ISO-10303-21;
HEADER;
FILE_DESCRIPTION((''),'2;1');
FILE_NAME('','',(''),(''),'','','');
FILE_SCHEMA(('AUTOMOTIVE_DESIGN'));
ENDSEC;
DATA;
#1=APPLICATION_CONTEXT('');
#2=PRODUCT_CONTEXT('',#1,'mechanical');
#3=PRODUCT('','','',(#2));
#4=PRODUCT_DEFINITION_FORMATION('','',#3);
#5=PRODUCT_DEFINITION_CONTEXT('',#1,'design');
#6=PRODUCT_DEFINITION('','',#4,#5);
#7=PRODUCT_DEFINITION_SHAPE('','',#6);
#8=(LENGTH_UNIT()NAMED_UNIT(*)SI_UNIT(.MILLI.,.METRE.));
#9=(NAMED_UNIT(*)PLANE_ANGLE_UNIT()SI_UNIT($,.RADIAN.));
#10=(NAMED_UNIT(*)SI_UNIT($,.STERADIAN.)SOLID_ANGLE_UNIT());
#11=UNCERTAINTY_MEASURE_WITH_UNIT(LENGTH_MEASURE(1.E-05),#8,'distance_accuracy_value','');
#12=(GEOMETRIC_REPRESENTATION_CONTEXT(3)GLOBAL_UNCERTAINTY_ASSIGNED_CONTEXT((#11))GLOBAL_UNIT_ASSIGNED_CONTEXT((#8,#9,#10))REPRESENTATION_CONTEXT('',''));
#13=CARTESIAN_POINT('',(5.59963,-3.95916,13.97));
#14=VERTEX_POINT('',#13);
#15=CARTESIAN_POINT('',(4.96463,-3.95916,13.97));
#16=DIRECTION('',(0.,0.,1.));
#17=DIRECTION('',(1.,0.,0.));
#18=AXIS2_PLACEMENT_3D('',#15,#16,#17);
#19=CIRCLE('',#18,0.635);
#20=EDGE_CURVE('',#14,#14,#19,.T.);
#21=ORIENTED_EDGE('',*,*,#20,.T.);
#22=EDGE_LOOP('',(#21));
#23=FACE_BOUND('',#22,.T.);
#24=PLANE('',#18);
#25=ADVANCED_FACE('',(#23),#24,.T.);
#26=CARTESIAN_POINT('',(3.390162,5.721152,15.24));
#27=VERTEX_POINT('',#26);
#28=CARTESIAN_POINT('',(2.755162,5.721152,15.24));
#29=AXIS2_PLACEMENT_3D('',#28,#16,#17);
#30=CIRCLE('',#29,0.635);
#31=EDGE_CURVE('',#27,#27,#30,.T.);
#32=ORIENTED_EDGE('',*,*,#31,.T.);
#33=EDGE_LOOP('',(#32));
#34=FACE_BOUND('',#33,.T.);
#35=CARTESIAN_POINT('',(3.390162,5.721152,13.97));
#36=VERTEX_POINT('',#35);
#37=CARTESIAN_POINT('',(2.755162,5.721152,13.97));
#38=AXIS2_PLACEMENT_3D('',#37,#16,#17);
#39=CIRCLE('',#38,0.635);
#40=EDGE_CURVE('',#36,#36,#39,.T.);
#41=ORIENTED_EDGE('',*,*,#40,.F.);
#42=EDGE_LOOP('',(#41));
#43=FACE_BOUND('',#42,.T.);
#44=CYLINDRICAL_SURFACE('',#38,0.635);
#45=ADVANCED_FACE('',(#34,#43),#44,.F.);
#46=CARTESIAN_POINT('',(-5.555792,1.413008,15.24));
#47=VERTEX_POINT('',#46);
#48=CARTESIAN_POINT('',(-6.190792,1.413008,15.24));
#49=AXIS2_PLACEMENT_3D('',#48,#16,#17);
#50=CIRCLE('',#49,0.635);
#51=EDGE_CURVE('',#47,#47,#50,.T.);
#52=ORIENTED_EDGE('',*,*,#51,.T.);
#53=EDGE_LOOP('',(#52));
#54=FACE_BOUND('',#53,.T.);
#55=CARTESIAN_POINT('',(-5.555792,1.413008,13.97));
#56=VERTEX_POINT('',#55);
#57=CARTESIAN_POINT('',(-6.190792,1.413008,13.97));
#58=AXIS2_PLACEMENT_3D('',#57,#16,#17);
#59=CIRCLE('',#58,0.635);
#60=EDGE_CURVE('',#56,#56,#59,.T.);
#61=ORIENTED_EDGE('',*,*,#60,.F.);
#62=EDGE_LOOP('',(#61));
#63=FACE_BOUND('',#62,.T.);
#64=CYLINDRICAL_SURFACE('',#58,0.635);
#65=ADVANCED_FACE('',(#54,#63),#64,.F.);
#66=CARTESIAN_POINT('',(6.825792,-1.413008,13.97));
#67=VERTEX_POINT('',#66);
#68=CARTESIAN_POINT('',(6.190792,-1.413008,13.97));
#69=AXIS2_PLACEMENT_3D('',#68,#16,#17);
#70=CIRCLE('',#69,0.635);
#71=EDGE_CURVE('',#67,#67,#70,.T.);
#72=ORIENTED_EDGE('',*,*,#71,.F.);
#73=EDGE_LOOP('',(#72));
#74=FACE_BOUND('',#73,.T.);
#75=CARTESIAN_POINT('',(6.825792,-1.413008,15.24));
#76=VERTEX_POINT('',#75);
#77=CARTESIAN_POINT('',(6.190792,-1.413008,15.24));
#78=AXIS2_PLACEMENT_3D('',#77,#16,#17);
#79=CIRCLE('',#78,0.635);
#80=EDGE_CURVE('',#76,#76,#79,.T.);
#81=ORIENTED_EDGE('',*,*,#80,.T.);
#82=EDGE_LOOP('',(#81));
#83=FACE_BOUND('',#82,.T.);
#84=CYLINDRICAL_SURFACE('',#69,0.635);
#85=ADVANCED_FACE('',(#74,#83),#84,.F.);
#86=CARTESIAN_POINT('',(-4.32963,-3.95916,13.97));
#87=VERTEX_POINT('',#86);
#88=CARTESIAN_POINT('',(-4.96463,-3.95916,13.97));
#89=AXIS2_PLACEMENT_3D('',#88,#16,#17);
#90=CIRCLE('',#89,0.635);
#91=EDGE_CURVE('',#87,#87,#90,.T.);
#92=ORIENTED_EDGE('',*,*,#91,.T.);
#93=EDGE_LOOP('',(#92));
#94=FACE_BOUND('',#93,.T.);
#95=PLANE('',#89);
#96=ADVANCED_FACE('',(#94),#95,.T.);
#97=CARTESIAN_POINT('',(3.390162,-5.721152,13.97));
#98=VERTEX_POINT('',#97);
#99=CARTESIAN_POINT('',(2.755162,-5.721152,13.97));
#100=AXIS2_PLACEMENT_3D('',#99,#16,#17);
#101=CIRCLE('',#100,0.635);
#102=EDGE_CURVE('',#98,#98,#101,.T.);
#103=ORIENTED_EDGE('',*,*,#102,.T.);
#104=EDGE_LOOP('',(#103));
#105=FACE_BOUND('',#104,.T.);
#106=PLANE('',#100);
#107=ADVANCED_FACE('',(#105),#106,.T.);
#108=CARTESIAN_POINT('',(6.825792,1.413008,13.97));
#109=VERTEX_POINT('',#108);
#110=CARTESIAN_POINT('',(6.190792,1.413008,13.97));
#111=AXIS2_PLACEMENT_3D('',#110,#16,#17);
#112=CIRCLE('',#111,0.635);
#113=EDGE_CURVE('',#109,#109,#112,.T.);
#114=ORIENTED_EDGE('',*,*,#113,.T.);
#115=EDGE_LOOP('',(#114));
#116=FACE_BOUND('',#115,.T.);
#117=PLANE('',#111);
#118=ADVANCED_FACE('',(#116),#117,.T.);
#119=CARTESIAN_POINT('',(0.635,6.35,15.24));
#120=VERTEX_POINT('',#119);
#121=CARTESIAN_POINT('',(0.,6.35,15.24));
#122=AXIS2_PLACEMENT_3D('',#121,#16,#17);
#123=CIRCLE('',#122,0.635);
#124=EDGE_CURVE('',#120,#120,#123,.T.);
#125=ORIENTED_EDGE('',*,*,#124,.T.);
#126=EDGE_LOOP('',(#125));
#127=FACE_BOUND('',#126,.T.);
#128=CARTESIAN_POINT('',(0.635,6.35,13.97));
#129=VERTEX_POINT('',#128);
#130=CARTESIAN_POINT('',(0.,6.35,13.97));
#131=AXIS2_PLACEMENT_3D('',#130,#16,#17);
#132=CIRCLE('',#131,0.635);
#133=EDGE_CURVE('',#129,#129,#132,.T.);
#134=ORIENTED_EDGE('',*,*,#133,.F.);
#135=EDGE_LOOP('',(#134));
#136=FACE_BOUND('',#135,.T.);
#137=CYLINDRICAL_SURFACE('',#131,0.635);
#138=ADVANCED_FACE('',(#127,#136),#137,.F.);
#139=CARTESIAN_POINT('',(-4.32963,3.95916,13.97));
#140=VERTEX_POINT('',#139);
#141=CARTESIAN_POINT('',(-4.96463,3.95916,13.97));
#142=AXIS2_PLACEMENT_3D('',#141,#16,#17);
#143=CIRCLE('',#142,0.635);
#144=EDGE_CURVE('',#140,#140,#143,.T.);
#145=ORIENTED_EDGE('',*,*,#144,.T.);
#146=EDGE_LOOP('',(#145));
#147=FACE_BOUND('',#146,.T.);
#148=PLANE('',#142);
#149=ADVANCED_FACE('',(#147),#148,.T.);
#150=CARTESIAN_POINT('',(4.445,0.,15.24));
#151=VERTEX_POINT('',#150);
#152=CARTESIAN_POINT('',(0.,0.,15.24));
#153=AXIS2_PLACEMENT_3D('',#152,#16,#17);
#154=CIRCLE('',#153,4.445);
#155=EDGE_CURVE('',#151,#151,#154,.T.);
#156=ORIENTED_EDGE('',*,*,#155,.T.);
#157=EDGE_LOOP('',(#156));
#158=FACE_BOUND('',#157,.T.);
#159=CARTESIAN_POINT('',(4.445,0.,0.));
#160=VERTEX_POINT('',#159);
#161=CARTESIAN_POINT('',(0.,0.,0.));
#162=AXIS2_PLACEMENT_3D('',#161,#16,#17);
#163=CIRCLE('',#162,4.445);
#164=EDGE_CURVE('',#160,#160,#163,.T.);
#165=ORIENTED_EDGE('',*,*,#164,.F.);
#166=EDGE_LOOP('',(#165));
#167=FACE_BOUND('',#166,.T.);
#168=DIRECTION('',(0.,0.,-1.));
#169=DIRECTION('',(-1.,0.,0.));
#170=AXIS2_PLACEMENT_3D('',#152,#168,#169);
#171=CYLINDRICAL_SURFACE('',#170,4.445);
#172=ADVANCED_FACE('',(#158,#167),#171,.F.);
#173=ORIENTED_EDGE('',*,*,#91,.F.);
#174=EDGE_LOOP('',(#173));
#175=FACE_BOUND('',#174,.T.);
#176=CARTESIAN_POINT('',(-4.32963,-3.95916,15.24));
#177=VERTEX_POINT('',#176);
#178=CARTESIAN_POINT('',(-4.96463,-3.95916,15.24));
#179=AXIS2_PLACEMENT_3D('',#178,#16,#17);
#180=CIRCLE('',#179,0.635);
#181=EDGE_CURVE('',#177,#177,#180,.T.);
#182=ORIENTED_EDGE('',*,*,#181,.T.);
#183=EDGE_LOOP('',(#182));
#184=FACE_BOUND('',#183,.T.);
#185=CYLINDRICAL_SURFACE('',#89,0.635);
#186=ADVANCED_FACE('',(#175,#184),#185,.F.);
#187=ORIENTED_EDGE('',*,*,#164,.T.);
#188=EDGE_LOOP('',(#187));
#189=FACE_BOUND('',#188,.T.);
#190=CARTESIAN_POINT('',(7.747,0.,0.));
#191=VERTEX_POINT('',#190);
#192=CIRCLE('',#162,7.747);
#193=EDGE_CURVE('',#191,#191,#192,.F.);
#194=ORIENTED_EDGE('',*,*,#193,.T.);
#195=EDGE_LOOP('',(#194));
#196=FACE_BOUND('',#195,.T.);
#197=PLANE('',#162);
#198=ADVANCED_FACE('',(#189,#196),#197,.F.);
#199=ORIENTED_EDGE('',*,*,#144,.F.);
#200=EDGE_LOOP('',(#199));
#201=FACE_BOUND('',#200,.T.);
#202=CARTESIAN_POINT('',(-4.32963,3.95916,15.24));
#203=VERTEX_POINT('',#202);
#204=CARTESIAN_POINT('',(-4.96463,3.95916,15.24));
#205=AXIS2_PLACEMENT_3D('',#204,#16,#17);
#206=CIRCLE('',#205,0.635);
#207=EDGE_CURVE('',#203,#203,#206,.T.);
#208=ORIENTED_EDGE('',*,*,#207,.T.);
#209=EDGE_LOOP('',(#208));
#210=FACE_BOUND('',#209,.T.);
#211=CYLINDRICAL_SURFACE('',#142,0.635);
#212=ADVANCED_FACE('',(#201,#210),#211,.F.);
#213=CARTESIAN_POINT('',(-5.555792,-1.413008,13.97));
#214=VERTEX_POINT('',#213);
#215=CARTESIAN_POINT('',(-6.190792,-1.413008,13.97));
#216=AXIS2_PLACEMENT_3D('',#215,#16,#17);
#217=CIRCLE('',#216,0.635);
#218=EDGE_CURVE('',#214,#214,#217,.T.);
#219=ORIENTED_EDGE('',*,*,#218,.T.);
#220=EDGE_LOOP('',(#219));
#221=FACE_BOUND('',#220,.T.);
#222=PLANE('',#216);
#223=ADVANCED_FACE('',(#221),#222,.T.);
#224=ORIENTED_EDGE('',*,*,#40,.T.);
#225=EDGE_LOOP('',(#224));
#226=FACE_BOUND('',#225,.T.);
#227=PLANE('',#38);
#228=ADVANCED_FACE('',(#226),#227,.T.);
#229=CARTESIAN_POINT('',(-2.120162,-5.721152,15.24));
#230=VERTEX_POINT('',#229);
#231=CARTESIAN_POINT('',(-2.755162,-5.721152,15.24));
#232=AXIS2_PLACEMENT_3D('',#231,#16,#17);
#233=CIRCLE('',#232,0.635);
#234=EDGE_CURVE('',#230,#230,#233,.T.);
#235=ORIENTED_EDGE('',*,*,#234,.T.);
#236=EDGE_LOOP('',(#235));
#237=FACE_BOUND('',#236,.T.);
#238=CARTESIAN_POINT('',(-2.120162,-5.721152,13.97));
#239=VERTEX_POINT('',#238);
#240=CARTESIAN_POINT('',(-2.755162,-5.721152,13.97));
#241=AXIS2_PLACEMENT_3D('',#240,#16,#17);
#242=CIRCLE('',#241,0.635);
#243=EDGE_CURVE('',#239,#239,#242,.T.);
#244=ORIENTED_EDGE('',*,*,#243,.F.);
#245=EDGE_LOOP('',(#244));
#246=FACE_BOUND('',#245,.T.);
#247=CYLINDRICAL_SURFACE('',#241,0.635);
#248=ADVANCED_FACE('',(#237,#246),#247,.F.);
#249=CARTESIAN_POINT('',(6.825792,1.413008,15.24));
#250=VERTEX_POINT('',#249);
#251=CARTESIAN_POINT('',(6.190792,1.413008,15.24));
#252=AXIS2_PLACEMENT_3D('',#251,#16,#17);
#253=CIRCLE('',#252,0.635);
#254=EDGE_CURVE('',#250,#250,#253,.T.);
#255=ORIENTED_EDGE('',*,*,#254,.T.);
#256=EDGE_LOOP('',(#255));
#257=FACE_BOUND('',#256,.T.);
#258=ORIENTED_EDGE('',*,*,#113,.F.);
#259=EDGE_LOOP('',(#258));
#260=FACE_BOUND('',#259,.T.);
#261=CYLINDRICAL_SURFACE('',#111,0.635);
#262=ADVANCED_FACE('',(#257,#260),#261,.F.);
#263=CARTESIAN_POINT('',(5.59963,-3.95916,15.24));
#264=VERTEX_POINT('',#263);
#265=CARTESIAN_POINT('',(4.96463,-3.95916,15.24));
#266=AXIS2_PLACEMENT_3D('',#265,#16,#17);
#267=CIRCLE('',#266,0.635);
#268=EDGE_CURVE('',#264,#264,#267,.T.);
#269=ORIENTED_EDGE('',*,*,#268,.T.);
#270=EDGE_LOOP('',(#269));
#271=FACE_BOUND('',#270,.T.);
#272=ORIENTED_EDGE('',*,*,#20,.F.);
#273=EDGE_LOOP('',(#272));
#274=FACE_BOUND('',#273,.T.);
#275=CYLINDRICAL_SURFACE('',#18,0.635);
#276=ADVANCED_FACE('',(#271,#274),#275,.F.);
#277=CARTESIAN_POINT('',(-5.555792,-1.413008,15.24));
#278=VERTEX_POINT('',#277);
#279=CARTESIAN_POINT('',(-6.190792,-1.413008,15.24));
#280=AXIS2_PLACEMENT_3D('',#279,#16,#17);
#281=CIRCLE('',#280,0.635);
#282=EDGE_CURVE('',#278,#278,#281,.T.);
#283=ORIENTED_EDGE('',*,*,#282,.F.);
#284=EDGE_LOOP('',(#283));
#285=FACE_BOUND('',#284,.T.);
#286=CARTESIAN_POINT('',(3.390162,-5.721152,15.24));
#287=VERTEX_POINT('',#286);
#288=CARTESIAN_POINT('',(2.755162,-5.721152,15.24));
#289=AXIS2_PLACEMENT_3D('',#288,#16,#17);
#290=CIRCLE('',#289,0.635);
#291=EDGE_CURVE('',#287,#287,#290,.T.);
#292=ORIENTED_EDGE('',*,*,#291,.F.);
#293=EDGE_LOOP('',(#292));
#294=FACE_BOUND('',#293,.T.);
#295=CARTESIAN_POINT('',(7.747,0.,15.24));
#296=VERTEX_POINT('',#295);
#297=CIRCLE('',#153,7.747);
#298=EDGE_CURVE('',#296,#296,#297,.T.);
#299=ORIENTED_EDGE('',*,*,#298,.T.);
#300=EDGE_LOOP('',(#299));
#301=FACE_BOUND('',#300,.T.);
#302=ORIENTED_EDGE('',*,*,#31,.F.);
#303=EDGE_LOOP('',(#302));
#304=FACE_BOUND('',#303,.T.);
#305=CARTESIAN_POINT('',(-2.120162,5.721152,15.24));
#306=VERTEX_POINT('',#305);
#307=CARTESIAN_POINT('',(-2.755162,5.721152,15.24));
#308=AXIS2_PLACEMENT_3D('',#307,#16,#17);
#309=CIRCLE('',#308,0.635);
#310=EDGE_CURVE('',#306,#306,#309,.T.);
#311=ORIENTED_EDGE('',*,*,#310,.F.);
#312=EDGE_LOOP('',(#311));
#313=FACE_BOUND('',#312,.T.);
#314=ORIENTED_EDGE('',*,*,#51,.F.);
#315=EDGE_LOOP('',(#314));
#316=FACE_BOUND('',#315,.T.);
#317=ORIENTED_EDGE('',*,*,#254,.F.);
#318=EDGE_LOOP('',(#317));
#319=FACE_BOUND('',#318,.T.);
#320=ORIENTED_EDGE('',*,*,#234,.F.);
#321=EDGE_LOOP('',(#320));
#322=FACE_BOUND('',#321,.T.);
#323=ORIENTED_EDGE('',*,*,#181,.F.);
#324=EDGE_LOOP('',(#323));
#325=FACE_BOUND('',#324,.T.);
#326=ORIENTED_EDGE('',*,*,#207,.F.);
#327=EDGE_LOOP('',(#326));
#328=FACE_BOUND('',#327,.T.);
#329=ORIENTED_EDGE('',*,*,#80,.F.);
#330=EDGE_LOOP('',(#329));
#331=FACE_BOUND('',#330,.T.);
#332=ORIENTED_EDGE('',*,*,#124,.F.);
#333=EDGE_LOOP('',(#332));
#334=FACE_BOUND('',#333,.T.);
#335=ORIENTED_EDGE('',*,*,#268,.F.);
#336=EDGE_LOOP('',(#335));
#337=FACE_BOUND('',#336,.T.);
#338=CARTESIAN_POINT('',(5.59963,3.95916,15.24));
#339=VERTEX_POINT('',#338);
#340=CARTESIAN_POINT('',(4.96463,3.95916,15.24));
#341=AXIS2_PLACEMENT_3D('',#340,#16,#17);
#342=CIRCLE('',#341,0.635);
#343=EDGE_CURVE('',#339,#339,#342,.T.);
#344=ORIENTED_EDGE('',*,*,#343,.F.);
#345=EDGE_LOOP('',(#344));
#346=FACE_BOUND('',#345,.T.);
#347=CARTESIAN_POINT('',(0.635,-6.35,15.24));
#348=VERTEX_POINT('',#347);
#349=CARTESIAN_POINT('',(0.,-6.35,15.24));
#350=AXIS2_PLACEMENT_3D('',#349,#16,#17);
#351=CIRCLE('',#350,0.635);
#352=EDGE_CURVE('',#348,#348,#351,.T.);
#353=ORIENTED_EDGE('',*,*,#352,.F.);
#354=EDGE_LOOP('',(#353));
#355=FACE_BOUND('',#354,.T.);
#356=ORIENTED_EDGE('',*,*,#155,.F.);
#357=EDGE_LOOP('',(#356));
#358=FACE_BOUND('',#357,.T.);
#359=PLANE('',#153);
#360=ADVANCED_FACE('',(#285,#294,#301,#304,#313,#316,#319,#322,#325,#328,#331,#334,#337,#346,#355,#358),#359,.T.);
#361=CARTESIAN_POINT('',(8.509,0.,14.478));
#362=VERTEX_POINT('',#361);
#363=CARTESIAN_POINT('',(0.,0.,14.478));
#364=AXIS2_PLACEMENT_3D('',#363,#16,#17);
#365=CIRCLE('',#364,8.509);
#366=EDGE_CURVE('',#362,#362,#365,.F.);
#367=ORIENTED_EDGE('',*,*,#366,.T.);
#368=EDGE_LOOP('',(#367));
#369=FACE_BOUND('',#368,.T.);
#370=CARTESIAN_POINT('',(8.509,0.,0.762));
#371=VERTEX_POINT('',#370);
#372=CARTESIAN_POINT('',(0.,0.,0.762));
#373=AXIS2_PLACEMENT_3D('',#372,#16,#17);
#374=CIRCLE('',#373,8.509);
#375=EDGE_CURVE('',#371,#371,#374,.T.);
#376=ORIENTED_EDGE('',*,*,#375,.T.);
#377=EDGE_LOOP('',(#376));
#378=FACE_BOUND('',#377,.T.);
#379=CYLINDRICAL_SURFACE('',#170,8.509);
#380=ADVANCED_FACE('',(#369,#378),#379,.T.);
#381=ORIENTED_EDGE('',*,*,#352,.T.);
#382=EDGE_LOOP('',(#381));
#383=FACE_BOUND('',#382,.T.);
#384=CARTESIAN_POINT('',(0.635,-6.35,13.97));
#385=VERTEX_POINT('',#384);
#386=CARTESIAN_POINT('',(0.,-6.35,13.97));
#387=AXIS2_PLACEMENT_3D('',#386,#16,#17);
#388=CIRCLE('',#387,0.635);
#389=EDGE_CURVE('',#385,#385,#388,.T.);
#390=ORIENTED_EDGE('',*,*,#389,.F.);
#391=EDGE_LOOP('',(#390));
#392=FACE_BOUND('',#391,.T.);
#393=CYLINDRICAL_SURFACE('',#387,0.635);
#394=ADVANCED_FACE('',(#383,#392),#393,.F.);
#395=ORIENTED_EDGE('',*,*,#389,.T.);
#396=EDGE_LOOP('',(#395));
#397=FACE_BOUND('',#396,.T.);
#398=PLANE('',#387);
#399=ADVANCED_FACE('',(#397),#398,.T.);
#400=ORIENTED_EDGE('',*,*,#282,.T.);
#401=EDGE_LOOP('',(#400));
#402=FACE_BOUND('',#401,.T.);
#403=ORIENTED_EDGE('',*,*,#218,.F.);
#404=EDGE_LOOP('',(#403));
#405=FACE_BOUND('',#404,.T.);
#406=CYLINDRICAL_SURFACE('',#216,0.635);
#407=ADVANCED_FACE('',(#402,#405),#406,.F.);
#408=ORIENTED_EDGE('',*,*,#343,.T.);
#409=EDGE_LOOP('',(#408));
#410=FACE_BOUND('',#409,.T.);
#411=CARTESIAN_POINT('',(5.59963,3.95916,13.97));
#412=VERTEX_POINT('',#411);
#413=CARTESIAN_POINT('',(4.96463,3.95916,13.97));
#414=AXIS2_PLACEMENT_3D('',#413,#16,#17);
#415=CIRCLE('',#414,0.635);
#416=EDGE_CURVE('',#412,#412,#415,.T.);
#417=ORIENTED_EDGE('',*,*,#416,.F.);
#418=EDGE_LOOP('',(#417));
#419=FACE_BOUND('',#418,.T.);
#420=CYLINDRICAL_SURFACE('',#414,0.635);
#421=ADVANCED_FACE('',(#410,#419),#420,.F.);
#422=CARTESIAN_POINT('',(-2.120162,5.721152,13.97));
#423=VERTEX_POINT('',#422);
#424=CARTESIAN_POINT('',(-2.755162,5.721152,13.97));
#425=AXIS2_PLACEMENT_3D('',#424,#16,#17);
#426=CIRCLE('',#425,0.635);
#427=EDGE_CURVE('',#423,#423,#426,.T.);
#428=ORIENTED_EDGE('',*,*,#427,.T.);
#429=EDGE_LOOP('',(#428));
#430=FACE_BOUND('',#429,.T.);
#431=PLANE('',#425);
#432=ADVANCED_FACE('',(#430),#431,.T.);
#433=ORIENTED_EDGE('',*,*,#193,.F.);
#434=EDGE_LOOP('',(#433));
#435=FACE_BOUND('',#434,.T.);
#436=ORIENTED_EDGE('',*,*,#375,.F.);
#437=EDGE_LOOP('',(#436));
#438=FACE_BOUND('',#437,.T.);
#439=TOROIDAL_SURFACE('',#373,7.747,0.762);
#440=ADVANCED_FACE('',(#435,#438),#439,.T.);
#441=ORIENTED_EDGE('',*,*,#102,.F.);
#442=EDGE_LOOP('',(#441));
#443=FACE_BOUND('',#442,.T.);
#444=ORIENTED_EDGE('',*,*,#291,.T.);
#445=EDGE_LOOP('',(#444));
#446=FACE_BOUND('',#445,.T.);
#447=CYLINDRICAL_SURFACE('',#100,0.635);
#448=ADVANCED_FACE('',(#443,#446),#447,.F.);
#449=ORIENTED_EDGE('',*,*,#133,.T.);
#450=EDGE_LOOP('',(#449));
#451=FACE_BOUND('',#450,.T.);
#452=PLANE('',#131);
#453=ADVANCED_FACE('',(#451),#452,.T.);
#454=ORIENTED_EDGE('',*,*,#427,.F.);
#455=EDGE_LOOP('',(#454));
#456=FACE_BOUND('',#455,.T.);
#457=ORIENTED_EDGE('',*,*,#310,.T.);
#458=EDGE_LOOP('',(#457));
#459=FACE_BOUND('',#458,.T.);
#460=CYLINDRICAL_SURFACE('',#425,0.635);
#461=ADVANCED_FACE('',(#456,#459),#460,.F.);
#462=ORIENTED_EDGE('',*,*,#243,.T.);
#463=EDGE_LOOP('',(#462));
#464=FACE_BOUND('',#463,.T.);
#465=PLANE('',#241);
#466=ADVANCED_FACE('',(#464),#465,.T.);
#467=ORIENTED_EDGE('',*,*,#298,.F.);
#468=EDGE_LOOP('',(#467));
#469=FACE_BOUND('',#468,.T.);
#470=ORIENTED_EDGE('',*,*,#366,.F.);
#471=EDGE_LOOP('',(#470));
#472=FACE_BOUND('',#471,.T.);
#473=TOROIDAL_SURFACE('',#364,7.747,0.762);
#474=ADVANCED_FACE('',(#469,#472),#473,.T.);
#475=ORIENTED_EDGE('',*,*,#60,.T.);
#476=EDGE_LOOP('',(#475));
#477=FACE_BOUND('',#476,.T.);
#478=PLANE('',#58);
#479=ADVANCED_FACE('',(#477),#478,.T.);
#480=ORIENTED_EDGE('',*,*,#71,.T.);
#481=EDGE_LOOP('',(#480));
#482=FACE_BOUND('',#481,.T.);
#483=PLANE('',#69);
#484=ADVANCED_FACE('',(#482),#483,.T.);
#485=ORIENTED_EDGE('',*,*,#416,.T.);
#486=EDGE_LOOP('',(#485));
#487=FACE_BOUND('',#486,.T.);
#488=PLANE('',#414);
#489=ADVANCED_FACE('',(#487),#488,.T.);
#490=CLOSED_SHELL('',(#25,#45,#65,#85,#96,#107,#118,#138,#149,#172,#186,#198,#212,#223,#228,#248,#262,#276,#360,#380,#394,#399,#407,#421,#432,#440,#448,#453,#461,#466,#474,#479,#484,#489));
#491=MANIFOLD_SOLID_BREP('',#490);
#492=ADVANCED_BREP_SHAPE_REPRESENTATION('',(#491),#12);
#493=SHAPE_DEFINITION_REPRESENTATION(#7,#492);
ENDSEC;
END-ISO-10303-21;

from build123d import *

# Parameters (mm, degrees)
SKETCH1_R           = 8.509
SKETCH1_R_2         = 4.445
BOSS_EXTRUDE1_DEPTH = 15.24
FILLET1_R           = 0.762
SKETCH2_R           = 0.635
CUT_EXTRUDE1_DEPTH  = 1.27


with BuildPart() as part:
    # Sketch1 → Boss-Extrude1 (new body)
    with BuildSketch(Plane.XY):
        Circle(SKETCH1_R)
        Circle(SKETCH1_R_2, mode=Mode.SUBTRACT)
    extrude(amount=BOSS_EXTRUDE1_DEPTH)

    # Fillet1
    fillet1_edges = [part.edges().sort_by_distance(p)[0] for p in [
        (-8.509, 0, 0),
        (-8.509, 0, 15.24),
    ]]
    fillet(fillet1_edges, radius=FILLET1_R)

    # Sketch2 → Cut-Extrude1 (cut)
    with BuildSketch(Plane.XY.offset(15.24)):
        with Locations((0, 6.35)):
            Circle(SKETCH2_R)
        with Locations((2.755161743, 5.721152311)):
            Circle(SKETCH2_R)
        with Locations((4.964629914, 3.959160242)):
            Circle(SKETCH2_R)
        with Locations((6.190792242, 1.413007931)):
            Circle(SKETCH2_R)
        with Locations((6.190792242, -1.413007931)):
            Circle(SKETCH2_R)
        with Locations((4.964629914, -3.959160242)):
            Circle(SKETCH2_R)
        with Locations((2.755161743, -5.721152311)):
            Circle(SKETCH2_R)
        with Locations((0, -6.35)):
            Circle(SKETCH2_R)
        with Locations((-2.755161743, -5.721152311)):
            Circle(SKETCH2_R)
        with Locations((-4.964629914, -3.959160242)):
            Circle(SKETCH2_R)
        with Locations((-6.190792242, -1.413007931)):
            Circle(SKETCH2_R)
        with Locations((-6.190792242, 1.413007931)):
            Circle(SKETCH2_R)
        with Locations((-4.964629914, 3.959160242)):
            Circle(SKETCH2_R)
        with Locations((-2.755161743, 5.721152311)):
            Circle(SKETCH2_R)
    extrude(amount=-CUT_EXTRUDE1_DEPTH, mode=Mode.SUBTRACT)


solid = part.part
